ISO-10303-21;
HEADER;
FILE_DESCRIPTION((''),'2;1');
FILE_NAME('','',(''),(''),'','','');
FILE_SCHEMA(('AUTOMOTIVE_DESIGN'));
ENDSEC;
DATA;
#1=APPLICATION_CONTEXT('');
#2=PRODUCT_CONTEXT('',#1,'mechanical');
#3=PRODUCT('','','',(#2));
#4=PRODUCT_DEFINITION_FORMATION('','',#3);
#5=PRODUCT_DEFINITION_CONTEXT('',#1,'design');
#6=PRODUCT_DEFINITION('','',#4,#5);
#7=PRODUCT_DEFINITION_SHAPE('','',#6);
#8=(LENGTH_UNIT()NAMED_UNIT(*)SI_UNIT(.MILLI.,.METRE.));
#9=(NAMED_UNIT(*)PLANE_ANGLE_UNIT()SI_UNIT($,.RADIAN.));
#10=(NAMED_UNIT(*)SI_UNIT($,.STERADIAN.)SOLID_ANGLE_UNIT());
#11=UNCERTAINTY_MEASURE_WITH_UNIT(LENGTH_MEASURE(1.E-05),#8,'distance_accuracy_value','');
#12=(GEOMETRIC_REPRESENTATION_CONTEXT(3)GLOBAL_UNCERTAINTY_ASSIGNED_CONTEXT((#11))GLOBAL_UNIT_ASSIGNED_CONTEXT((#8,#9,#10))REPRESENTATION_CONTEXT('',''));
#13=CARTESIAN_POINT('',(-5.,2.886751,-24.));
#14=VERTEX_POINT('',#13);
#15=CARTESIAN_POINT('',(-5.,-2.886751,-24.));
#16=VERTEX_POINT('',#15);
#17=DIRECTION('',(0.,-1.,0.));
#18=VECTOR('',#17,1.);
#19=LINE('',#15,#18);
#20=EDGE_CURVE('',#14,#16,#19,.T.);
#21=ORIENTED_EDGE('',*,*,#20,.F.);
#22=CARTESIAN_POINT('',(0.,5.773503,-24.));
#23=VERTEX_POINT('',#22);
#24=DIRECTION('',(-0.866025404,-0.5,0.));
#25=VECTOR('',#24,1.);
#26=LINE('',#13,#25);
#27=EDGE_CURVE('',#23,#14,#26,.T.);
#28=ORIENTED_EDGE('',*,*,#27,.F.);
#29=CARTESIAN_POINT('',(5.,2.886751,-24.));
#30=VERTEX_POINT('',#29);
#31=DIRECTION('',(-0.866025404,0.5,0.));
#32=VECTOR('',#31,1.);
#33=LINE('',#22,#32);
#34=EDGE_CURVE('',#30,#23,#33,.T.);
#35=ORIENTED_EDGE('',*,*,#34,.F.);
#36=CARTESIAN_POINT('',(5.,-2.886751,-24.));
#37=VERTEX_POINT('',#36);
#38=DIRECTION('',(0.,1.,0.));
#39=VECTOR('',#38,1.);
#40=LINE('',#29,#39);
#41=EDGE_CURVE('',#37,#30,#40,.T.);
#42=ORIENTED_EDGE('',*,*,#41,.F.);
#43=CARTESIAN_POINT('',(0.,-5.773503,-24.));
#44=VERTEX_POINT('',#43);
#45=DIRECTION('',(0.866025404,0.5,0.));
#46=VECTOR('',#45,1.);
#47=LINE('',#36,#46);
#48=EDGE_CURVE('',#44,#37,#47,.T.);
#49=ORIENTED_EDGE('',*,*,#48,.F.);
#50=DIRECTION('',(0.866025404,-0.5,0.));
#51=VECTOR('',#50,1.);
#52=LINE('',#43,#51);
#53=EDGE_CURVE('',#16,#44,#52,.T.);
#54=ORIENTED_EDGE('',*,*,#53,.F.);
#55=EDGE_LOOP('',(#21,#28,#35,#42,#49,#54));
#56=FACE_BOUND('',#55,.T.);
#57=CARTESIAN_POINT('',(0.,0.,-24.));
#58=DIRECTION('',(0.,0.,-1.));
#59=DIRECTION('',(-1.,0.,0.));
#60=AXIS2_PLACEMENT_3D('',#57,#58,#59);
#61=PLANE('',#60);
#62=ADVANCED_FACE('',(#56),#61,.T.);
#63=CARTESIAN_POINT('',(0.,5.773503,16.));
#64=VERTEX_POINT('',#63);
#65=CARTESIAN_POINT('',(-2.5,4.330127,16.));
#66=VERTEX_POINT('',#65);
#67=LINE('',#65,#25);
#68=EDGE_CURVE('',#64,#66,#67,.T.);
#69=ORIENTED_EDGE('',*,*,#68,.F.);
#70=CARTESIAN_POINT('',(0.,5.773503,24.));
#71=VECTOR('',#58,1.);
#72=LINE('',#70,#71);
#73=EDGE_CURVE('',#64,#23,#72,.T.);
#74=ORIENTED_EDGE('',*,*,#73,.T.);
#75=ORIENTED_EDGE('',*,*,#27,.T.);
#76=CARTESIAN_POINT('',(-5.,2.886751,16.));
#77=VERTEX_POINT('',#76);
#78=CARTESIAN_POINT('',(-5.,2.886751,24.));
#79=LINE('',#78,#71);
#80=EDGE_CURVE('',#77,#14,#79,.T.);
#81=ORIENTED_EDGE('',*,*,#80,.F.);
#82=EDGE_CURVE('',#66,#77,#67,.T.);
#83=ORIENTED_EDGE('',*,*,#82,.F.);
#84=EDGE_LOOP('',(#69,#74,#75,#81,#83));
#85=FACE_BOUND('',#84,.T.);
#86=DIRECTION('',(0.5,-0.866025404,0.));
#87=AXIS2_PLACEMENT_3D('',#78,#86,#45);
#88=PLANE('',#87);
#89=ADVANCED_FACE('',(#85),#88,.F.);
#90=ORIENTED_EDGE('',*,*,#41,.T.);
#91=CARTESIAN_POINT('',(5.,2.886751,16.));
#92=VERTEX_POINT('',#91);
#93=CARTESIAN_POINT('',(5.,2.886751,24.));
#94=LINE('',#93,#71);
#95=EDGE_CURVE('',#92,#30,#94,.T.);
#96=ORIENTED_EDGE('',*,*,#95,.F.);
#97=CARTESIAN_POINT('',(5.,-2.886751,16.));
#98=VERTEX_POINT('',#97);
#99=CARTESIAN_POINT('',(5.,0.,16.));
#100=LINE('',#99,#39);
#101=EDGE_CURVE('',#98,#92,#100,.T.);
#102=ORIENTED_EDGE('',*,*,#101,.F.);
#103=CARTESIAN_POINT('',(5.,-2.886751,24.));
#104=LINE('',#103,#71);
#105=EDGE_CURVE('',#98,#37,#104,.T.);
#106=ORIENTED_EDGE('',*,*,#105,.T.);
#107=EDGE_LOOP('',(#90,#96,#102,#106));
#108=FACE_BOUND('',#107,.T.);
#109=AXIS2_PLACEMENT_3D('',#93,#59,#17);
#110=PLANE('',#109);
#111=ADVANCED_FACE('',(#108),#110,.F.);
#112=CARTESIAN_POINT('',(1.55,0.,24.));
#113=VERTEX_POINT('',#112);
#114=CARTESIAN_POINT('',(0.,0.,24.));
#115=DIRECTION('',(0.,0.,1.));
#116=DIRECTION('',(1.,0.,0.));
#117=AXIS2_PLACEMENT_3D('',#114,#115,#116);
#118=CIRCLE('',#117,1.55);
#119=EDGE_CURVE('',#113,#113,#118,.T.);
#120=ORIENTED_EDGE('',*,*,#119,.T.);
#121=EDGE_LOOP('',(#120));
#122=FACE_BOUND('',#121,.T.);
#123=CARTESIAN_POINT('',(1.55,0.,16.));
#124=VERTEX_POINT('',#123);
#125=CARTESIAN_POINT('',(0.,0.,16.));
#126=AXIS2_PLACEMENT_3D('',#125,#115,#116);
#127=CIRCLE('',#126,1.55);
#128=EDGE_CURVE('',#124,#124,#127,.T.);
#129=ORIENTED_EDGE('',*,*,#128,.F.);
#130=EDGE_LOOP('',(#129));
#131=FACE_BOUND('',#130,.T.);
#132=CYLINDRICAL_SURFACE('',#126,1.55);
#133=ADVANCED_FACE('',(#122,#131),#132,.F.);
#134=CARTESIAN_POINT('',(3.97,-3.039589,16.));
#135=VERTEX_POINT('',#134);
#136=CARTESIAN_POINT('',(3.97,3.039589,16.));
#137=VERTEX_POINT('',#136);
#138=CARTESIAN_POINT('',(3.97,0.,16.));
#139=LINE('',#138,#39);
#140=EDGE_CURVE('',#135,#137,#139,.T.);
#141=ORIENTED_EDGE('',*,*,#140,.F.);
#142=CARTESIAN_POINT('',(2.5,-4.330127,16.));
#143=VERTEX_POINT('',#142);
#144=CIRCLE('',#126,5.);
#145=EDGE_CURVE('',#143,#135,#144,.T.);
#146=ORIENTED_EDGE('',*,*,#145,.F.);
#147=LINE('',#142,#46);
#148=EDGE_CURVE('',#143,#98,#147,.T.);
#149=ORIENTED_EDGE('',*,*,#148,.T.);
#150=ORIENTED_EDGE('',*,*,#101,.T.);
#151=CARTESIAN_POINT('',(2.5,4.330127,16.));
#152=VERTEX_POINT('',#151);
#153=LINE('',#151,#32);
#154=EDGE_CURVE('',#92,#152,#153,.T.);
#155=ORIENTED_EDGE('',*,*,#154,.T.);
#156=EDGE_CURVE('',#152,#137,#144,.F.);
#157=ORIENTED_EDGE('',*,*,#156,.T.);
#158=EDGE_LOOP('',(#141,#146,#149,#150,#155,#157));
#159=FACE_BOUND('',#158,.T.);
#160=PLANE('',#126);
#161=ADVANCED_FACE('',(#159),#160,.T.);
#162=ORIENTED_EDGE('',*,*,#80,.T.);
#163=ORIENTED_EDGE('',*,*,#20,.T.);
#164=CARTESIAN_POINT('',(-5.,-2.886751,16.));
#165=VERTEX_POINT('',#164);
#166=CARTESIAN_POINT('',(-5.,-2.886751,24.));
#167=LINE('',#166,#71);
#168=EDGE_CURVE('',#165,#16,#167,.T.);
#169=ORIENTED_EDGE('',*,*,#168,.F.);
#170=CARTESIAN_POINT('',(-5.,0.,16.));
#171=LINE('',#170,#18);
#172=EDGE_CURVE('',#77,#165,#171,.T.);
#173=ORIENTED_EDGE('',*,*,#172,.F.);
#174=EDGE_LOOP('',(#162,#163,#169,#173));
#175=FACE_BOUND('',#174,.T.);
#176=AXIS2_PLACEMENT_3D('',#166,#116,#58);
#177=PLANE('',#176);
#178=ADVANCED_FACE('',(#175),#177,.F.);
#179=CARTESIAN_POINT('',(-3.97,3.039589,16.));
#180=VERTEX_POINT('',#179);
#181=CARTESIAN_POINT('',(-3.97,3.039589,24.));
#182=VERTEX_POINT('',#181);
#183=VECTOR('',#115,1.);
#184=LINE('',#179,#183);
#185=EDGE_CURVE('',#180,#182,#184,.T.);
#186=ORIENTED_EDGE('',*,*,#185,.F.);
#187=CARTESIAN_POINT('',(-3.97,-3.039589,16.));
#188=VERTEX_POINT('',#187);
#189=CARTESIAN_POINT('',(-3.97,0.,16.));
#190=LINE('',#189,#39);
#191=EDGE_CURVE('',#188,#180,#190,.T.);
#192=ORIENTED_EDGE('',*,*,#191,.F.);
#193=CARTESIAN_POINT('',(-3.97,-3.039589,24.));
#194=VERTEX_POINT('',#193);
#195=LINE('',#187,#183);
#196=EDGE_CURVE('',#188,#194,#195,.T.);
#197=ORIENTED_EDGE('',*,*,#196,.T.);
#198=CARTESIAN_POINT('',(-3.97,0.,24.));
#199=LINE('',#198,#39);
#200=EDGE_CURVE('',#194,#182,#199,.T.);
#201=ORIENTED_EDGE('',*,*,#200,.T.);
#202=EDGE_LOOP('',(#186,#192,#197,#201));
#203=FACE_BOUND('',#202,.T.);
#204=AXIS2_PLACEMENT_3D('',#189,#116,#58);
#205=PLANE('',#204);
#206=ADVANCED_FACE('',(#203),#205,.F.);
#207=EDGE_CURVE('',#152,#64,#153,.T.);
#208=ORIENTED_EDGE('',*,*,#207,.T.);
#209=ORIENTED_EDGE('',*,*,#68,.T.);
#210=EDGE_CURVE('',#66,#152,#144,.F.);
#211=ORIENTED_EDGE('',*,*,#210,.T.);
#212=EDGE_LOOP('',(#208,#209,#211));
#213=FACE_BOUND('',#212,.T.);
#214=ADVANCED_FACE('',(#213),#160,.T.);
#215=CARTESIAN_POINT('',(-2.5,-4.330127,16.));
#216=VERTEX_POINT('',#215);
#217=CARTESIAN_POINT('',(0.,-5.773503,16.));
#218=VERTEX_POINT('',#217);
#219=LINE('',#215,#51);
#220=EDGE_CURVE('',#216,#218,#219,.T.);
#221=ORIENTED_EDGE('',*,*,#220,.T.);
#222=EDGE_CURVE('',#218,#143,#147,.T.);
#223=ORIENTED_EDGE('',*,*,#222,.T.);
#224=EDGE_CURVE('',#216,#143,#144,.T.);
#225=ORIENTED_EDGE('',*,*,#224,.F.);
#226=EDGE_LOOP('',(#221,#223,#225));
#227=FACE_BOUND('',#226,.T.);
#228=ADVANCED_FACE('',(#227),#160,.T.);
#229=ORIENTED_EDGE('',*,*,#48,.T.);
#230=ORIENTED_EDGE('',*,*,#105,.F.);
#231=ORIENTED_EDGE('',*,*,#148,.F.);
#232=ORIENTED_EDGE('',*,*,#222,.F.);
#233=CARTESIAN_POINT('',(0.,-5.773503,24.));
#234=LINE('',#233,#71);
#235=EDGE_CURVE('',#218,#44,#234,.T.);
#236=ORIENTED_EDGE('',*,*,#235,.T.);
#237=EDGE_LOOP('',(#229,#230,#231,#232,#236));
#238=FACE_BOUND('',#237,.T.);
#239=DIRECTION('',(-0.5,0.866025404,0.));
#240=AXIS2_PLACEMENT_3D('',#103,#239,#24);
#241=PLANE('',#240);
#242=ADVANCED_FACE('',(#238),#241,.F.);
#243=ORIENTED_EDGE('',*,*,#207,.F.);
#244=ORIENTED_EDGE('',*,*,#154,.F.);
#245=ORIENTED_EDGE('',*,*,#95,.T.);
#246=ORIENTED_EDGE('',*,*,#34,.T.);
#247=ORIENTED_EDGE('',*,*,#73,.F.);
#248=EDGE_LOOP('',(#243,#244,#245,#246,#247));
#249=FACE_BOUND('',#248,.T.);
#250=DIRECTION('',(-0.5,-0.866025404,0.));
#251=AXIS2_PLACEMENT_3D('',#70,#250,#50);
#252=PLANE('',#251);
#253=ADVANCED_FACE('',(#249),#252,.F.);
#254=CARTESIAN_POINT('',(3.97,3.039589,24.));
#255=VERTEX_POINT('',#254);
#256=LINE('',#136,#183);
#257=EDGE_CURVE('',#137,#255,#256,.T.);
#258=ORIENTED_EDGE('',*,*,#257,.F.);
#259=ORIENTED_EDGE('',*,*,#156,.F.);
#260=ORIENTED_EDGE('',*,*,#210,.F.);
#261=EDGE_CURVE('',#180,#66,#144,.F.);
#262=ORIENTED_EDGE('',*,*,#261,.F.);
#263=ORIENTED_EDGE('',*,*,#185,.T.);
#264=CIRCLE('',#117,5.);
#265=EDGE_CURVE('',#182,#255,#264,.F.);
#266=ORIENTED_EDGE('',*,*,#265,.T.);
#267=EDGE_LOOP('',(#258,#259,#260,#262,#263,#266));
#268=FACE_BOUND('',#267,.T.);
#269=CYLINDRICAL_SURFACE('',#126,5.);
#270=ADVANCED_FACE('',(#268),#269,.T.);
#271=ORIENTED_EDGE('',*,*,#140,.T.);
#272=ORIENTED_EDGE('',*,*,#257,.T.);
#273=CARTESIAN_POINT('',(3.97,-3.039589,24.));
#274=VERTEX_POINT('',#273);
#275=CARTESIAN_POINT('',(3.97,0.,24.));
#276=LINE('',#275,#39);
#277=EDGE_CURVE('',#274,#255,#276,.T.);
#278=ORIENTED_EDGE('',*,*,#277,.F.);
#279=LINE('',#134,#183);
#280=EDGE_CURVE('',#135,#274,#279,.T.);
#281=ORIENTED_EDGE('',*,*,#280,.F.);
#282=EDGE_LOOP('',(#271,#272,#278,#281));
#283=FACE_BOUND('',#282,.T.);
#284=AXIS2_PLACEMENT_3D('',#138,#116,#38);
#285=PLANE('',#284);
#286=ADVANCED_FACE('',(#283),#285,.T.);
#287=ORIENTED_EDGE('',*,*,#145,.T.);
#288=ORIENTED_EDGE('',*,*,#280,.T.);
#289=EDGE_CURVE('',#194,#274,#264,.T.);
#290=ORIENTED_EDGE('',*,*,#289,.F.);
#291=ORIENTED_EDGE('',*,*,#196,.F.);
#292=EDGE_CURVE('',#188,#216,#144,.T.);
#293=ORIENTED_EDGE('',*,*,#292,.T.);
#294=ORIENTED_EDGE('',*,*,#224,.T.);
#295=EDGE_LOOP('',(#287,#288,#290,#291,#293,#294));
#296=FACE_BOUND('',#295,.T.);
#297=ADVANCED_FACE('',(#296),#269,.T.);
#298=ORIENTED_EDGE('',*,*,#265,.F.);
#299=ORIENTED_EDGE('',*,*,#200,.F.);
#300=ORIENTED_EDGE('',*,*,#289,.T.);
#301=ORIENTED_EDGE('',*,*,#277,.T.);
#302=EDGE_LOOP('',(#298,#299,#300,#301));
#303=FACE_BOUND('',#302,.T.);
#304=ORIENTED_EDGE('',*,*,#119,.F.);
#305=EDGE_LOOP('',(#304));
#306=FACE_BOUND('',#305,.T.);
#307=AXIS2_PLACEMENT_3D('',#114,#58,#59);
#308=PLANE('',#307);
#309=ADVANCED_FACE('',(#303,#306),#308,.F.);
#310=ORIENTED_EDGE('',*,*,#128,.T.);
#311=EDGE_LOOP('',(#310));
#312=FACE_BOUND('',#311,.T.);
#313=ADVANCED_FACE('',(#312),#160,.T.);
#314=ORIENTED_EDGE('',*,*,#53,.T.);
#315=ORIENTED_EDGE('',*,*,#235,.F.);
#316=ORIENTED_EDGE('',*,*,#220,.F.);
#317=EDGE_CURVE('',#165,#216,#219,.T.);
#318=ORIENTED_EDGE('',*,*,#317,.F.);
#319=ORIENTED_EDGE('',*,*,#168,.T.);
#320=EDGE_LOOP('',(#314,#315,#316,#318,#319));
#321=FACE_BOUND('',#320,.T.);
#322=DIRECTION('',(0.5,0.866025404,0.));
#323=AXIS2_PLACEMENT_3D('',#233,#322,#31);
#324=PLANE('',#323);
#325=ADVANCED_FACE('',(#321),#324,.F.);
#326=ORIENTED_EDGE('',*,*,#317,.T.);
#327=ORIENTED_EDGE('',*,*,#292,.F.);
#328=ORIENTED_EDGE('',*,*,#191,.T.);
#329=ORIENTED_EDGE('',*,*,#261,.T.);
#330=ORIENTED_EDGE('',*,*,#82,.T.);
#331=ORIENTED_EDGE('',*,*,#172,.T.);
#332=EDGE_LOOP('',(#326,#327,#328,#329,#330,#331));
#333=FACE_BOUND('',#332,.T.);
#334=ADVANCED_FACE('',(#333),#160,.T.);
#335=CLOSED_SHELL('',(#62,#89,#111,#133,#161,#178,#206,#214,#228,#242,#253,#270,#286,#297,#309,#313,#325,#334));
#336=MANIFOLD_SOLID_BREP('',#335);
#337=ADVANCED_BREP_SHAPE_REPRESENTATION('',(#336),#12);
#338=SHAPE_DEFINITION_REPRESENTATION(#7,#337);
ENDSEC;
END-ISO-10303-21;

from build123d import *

# Parameters (mm, degrees)
BOSS_EXTRUDE1_DEPTH = 24
SKETCH4_R           = 1.55
CUT_EXTRUDE1_DEPTH  = 8


with BuildPart() as part:
    # Sketch3 → Boss-Extrude1 (new, symmetric)
    with BuildSketch(Plane.XY):
        Polygon((0, 5.773502692), (5, 2.886751346), (5, -2.886751346), (0, -5.773502692), (-5, -2.886751346), (-5, 2.886751346), align=None)
    extrude(amount=BOSS_EXTRUDE1_DEPTH, both=True)

    # Sketch4 → Cut-Extrude1 (cut)
    with BuildSketch(Plane.XY.offset(24)):
        with BuildLine():
            Line((-5, -2.886751346), (-2.500000044, -4.330126993))
            ThreePointArc((-2.500000044, -4.330126993), (-3.298726627, -3.757446293), (-3.97, -3.039588788))
            Line((-3.97, -3.039588788), (-3.97, 3.039588788))
            ThreePointArc((-3.97, 3.039588788), (-3.298726623, 3.757446296), (-2.500000037, 4.330126998))
            Line((-2.500000037, 4.330126998), (-5, 2.886751346))
            Line((-5, 2.886751346), (-5, -2.886751346))
        make_face()
        with BuildLine():
            ThreePointArc((-2.500000037, 4.330126998), (-7.5e-08, 5), (2.499999906, 4.330127073))
            Line((2.499999906, 4.330127073), (0, 5.773502692))
            Line((0, 5.773502692), (-2.500000037, 4.330126998))
        make_face()
        with BuildLine():
            Line((3.97, 3.039588788), (3.97, -3.039588788))
            ThreePointArc((3.97, -3.039588788), (3.298726555, -3.757446356), (2.499999878, -4.330127089))
            Line((2.499999878, -4.330127089), (5, -2.886751346))
            Line((5, -2.886751346), (5, 2.886751346))
            Line((5, 2.886751346), (2.499999906, 4.330127073))
            ThreePointArc((2.499999906, 4.330127073), (3.298726567, 3.757446345), (3.97, 3.039588788))
        make_face()
        with BuildLine():
            Line((0, -5.773502692), (2.499999878, -4.330127089))
            ThreePointArc((2.499999878, -4.330127089), (-9.6e-08, -5), (-2.500000044, -4.330126993))
            Line((-2.500000044, -4.330126993), (0, -5.773502692))
        make_face()
        Circle(SKETCH4_R)
    extrude(amount=-CUT_EXTRUDE1_DEPTH, mode=Mode.SUBTRACT)


solid = part.part
